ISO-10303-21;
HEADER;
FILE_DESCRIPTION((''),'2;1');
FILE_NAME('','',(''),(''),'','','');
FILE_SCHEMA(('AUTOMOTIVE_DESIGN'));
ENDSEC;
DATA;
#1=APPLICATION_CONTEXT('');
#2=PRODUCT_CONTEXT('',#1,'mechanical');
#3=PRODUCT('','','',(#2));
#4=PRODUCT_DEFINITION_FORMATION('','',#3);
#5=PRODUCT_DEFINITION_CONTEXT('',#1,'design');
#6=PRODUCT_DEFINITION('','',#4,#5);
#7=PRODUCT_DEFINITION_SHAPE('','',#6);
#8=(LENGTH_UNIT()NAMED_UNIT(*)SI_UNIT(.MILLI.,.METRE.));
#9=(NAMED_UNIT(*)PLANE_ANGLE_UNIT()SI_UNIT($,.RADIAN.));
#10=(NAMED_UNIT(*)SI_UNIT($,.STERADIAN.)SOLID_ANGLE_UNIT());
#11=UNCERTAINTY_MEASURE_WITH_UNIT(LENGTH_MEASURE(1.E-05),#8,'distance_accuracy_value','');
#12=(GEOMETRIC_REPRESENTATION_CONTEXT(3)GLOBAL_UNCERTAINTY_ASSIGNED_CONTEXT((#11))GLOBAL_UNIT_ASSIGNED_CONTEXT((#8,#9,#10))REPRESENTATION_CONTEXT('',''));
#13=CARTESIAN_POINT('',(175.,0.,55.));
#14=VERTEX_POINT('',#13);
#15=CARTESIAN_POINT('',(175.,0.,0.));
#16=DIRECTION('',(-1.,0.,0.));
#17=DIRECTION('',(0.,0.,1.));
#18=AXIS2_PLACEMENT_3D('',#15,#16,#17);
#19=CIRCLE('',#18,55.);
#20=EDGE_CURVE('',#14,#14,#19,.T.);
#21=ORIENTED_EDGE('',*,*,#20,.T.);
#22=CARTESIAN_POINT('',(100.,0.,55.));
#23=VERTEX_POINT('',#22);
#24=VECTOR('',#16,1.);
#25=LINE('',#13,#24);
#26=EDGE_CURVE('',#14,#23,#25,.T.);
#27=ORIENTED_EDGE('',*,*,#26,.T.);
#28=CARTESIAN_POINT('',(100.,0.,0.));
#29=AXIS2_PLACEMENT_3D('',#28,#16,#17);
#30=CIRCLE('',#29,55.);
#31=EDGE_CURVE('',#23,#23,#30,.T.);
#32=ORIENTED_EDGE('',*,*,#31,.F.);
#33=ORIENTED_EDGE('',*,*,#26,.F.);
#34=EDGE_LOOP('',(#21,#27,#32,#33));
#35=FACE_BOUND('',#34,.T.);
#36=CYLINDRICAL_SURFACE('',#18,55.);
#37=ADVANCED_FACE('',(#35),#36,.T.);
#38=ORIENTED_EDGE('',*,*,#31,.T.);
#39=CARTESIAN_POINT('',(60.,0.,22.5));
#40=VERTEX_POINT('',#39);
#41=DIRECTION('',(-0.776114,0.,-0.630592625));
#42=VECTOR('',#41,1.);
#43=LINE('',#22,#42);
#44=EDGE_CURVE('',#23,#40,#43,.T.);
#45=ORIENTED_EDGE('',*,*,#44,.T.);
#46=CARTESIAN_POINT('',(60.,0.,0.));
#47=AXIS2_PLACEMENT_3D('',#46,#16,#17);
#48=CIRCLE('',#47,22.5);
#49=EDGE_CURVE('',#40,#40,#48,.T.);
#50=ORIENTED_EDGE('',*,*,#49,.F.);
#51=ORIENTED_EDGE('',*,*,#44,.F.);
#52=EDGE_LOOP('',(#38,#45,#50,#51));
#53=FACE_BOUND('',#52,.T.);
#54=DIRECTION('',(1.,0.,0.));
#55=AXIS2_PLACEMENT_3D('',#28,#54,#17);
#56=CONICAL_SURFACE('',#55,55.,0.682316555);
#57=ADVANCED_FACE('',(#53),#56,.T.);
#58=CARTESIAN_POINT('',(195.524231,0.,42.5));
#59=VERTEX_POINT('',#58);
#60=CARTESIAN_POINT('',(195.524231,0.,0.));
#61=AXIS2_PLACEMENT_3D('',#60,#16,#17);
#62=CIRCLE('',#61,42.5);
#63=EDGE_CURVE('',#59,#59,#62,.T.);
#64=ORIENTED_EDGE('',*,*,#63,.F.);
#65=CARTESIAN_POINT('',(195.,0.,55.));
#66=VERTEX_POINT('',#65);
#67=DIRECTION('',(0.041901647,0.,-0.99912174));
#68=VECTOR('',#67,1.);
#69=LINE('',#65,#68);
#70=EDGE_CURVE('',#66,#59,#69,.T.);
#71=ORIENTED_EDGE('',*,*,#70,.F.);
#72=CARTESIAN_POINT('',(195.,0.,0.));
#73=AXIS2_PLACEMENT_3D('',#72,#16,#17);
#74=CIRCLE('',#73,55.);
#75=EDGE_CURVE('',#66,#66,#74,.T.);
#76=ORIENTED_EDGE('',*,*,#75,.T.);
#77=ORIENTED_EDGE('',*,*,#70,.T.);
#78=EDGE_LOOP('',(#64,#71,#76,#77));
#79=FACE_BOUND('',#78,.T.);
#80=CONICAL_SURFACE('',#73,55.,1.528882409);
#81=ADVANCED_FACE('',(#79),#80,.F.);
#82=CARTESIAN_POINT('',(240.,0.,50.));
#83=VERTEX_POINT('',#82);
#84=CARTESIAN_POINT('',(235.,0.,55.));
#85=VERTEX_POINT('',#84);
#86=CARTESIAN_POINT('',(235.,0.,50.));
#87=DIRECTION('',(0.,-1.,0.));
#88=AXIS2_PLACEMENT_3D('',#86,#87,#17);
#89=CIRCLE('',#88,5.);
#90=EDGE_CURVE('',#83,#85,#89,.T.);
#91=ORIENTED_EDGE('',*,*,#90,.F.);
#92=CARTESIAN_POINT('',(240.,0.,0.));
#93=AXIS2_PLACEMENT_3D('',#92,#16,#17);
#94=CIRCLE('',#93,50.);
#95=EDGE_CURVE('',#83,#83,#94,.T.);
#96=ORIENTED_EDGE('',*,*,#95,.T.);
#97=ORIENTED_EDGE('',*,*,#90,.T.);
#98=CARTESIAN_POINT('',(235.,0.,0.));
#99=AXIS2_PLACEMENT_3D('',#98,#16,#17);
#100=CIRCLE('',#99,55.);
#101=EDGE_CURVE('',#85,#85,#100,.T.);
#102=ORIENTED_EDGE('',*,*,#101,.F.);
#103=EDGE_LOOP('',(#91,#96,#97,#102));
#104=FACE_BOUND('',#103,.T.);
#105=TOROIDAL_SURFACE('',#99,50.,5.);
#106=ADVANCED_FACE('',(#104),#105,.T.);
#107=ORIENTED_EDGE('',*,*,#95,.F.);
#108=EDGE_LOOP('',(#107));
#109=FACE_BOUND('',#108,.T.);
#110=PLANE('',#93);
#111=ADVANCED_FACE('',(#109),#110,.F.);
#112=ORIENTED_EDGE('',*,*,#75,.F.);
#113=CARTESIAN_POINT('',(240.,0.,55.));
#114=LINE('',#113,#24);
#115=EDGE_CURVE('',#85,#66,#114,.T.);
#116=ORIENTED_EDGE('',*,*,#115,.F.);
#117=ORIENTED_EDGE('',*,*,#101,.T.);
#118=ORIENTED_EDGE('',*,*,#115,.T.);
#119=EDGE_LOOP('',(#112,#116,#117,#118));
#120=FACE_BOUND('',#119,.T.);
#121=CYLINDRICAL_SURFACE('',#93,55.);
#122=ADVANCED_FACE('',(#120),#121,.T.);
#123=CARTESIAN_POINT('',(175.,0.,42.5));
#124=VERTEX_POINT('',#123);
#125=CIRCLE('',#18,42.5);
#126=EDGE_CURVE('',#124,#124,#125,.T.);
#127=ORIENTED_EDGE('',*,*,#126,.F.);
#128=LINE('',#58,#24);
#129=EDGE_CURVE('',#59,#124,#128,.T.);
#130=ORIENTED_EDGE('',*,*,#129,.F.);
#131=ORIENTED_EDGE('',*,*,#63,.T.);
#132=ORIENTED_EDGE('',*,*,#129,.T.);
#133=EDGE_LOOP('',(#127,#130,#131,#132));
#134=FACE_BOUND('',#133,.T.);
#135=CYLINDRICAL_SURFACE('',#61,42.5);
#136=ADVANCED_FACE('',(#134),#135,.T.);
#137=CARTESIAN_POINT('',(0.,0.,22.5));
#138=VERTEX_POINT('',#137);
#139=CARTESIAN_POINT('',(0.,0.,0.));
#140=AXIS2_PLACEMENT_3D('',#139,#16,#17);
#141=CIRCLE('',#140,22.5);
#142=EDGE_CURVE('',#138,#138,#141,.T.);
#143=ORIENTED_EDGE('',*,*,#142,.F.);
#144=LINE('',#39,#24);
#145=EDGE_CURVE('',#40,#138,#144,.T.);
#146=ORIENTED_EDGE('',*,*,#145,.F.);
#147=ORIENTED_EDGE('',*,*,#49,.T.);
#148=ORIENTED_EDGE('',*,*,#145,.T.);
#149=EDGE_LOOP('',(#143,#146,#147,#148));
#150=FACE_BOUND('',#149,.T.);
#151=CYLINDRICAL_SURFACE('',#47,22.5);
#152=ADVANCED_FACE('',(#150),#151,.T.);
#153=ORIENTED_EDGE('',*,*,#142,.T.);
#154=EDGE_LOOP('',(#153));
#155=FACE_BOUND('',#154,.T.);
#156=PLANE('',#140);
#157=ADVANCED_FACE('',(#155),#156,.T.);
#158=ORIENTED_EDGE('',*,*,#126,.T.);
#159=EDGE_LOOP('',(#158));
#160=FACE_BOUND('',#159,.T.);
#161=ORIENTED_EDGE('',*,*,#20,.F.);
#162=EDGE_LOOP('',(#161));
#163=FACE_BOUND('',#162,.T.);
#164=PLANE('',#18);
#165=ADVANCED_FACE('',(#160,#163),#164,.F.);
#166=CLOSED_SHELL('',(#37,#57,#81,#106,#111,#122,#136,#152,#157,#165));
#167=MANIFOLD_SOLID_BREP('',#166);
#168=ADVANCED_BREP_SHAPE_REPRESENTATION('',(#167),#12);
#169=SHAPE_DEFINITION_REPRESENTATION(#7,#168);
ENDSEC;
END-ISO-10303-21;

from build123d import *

# Parameters (mm, degrees)
F2_R = 5


with BuildPart() as f1:
    # F0 (on Front) → F1 (revolve)
    with BuildSketch(Plane.XZ):
        Polygon((0, 22.5), (0, 0), (240, 0), (240, 55), (195, 55), (195.524231, 42.5), (175, 42.5), (175, 55), (100, 55), (60, 22.5), align=None)
    revolve(axis=Axis((-48.28571, 0, 0), (-1, 0, 0)))

    # F2
    f2_edges = [f1.edges().sort_by_distance(p)[0] for p in [
        (240, 0, -55),
    ]]
    fillet(f2_edges, radius=F2_R)


solid = f1.part
